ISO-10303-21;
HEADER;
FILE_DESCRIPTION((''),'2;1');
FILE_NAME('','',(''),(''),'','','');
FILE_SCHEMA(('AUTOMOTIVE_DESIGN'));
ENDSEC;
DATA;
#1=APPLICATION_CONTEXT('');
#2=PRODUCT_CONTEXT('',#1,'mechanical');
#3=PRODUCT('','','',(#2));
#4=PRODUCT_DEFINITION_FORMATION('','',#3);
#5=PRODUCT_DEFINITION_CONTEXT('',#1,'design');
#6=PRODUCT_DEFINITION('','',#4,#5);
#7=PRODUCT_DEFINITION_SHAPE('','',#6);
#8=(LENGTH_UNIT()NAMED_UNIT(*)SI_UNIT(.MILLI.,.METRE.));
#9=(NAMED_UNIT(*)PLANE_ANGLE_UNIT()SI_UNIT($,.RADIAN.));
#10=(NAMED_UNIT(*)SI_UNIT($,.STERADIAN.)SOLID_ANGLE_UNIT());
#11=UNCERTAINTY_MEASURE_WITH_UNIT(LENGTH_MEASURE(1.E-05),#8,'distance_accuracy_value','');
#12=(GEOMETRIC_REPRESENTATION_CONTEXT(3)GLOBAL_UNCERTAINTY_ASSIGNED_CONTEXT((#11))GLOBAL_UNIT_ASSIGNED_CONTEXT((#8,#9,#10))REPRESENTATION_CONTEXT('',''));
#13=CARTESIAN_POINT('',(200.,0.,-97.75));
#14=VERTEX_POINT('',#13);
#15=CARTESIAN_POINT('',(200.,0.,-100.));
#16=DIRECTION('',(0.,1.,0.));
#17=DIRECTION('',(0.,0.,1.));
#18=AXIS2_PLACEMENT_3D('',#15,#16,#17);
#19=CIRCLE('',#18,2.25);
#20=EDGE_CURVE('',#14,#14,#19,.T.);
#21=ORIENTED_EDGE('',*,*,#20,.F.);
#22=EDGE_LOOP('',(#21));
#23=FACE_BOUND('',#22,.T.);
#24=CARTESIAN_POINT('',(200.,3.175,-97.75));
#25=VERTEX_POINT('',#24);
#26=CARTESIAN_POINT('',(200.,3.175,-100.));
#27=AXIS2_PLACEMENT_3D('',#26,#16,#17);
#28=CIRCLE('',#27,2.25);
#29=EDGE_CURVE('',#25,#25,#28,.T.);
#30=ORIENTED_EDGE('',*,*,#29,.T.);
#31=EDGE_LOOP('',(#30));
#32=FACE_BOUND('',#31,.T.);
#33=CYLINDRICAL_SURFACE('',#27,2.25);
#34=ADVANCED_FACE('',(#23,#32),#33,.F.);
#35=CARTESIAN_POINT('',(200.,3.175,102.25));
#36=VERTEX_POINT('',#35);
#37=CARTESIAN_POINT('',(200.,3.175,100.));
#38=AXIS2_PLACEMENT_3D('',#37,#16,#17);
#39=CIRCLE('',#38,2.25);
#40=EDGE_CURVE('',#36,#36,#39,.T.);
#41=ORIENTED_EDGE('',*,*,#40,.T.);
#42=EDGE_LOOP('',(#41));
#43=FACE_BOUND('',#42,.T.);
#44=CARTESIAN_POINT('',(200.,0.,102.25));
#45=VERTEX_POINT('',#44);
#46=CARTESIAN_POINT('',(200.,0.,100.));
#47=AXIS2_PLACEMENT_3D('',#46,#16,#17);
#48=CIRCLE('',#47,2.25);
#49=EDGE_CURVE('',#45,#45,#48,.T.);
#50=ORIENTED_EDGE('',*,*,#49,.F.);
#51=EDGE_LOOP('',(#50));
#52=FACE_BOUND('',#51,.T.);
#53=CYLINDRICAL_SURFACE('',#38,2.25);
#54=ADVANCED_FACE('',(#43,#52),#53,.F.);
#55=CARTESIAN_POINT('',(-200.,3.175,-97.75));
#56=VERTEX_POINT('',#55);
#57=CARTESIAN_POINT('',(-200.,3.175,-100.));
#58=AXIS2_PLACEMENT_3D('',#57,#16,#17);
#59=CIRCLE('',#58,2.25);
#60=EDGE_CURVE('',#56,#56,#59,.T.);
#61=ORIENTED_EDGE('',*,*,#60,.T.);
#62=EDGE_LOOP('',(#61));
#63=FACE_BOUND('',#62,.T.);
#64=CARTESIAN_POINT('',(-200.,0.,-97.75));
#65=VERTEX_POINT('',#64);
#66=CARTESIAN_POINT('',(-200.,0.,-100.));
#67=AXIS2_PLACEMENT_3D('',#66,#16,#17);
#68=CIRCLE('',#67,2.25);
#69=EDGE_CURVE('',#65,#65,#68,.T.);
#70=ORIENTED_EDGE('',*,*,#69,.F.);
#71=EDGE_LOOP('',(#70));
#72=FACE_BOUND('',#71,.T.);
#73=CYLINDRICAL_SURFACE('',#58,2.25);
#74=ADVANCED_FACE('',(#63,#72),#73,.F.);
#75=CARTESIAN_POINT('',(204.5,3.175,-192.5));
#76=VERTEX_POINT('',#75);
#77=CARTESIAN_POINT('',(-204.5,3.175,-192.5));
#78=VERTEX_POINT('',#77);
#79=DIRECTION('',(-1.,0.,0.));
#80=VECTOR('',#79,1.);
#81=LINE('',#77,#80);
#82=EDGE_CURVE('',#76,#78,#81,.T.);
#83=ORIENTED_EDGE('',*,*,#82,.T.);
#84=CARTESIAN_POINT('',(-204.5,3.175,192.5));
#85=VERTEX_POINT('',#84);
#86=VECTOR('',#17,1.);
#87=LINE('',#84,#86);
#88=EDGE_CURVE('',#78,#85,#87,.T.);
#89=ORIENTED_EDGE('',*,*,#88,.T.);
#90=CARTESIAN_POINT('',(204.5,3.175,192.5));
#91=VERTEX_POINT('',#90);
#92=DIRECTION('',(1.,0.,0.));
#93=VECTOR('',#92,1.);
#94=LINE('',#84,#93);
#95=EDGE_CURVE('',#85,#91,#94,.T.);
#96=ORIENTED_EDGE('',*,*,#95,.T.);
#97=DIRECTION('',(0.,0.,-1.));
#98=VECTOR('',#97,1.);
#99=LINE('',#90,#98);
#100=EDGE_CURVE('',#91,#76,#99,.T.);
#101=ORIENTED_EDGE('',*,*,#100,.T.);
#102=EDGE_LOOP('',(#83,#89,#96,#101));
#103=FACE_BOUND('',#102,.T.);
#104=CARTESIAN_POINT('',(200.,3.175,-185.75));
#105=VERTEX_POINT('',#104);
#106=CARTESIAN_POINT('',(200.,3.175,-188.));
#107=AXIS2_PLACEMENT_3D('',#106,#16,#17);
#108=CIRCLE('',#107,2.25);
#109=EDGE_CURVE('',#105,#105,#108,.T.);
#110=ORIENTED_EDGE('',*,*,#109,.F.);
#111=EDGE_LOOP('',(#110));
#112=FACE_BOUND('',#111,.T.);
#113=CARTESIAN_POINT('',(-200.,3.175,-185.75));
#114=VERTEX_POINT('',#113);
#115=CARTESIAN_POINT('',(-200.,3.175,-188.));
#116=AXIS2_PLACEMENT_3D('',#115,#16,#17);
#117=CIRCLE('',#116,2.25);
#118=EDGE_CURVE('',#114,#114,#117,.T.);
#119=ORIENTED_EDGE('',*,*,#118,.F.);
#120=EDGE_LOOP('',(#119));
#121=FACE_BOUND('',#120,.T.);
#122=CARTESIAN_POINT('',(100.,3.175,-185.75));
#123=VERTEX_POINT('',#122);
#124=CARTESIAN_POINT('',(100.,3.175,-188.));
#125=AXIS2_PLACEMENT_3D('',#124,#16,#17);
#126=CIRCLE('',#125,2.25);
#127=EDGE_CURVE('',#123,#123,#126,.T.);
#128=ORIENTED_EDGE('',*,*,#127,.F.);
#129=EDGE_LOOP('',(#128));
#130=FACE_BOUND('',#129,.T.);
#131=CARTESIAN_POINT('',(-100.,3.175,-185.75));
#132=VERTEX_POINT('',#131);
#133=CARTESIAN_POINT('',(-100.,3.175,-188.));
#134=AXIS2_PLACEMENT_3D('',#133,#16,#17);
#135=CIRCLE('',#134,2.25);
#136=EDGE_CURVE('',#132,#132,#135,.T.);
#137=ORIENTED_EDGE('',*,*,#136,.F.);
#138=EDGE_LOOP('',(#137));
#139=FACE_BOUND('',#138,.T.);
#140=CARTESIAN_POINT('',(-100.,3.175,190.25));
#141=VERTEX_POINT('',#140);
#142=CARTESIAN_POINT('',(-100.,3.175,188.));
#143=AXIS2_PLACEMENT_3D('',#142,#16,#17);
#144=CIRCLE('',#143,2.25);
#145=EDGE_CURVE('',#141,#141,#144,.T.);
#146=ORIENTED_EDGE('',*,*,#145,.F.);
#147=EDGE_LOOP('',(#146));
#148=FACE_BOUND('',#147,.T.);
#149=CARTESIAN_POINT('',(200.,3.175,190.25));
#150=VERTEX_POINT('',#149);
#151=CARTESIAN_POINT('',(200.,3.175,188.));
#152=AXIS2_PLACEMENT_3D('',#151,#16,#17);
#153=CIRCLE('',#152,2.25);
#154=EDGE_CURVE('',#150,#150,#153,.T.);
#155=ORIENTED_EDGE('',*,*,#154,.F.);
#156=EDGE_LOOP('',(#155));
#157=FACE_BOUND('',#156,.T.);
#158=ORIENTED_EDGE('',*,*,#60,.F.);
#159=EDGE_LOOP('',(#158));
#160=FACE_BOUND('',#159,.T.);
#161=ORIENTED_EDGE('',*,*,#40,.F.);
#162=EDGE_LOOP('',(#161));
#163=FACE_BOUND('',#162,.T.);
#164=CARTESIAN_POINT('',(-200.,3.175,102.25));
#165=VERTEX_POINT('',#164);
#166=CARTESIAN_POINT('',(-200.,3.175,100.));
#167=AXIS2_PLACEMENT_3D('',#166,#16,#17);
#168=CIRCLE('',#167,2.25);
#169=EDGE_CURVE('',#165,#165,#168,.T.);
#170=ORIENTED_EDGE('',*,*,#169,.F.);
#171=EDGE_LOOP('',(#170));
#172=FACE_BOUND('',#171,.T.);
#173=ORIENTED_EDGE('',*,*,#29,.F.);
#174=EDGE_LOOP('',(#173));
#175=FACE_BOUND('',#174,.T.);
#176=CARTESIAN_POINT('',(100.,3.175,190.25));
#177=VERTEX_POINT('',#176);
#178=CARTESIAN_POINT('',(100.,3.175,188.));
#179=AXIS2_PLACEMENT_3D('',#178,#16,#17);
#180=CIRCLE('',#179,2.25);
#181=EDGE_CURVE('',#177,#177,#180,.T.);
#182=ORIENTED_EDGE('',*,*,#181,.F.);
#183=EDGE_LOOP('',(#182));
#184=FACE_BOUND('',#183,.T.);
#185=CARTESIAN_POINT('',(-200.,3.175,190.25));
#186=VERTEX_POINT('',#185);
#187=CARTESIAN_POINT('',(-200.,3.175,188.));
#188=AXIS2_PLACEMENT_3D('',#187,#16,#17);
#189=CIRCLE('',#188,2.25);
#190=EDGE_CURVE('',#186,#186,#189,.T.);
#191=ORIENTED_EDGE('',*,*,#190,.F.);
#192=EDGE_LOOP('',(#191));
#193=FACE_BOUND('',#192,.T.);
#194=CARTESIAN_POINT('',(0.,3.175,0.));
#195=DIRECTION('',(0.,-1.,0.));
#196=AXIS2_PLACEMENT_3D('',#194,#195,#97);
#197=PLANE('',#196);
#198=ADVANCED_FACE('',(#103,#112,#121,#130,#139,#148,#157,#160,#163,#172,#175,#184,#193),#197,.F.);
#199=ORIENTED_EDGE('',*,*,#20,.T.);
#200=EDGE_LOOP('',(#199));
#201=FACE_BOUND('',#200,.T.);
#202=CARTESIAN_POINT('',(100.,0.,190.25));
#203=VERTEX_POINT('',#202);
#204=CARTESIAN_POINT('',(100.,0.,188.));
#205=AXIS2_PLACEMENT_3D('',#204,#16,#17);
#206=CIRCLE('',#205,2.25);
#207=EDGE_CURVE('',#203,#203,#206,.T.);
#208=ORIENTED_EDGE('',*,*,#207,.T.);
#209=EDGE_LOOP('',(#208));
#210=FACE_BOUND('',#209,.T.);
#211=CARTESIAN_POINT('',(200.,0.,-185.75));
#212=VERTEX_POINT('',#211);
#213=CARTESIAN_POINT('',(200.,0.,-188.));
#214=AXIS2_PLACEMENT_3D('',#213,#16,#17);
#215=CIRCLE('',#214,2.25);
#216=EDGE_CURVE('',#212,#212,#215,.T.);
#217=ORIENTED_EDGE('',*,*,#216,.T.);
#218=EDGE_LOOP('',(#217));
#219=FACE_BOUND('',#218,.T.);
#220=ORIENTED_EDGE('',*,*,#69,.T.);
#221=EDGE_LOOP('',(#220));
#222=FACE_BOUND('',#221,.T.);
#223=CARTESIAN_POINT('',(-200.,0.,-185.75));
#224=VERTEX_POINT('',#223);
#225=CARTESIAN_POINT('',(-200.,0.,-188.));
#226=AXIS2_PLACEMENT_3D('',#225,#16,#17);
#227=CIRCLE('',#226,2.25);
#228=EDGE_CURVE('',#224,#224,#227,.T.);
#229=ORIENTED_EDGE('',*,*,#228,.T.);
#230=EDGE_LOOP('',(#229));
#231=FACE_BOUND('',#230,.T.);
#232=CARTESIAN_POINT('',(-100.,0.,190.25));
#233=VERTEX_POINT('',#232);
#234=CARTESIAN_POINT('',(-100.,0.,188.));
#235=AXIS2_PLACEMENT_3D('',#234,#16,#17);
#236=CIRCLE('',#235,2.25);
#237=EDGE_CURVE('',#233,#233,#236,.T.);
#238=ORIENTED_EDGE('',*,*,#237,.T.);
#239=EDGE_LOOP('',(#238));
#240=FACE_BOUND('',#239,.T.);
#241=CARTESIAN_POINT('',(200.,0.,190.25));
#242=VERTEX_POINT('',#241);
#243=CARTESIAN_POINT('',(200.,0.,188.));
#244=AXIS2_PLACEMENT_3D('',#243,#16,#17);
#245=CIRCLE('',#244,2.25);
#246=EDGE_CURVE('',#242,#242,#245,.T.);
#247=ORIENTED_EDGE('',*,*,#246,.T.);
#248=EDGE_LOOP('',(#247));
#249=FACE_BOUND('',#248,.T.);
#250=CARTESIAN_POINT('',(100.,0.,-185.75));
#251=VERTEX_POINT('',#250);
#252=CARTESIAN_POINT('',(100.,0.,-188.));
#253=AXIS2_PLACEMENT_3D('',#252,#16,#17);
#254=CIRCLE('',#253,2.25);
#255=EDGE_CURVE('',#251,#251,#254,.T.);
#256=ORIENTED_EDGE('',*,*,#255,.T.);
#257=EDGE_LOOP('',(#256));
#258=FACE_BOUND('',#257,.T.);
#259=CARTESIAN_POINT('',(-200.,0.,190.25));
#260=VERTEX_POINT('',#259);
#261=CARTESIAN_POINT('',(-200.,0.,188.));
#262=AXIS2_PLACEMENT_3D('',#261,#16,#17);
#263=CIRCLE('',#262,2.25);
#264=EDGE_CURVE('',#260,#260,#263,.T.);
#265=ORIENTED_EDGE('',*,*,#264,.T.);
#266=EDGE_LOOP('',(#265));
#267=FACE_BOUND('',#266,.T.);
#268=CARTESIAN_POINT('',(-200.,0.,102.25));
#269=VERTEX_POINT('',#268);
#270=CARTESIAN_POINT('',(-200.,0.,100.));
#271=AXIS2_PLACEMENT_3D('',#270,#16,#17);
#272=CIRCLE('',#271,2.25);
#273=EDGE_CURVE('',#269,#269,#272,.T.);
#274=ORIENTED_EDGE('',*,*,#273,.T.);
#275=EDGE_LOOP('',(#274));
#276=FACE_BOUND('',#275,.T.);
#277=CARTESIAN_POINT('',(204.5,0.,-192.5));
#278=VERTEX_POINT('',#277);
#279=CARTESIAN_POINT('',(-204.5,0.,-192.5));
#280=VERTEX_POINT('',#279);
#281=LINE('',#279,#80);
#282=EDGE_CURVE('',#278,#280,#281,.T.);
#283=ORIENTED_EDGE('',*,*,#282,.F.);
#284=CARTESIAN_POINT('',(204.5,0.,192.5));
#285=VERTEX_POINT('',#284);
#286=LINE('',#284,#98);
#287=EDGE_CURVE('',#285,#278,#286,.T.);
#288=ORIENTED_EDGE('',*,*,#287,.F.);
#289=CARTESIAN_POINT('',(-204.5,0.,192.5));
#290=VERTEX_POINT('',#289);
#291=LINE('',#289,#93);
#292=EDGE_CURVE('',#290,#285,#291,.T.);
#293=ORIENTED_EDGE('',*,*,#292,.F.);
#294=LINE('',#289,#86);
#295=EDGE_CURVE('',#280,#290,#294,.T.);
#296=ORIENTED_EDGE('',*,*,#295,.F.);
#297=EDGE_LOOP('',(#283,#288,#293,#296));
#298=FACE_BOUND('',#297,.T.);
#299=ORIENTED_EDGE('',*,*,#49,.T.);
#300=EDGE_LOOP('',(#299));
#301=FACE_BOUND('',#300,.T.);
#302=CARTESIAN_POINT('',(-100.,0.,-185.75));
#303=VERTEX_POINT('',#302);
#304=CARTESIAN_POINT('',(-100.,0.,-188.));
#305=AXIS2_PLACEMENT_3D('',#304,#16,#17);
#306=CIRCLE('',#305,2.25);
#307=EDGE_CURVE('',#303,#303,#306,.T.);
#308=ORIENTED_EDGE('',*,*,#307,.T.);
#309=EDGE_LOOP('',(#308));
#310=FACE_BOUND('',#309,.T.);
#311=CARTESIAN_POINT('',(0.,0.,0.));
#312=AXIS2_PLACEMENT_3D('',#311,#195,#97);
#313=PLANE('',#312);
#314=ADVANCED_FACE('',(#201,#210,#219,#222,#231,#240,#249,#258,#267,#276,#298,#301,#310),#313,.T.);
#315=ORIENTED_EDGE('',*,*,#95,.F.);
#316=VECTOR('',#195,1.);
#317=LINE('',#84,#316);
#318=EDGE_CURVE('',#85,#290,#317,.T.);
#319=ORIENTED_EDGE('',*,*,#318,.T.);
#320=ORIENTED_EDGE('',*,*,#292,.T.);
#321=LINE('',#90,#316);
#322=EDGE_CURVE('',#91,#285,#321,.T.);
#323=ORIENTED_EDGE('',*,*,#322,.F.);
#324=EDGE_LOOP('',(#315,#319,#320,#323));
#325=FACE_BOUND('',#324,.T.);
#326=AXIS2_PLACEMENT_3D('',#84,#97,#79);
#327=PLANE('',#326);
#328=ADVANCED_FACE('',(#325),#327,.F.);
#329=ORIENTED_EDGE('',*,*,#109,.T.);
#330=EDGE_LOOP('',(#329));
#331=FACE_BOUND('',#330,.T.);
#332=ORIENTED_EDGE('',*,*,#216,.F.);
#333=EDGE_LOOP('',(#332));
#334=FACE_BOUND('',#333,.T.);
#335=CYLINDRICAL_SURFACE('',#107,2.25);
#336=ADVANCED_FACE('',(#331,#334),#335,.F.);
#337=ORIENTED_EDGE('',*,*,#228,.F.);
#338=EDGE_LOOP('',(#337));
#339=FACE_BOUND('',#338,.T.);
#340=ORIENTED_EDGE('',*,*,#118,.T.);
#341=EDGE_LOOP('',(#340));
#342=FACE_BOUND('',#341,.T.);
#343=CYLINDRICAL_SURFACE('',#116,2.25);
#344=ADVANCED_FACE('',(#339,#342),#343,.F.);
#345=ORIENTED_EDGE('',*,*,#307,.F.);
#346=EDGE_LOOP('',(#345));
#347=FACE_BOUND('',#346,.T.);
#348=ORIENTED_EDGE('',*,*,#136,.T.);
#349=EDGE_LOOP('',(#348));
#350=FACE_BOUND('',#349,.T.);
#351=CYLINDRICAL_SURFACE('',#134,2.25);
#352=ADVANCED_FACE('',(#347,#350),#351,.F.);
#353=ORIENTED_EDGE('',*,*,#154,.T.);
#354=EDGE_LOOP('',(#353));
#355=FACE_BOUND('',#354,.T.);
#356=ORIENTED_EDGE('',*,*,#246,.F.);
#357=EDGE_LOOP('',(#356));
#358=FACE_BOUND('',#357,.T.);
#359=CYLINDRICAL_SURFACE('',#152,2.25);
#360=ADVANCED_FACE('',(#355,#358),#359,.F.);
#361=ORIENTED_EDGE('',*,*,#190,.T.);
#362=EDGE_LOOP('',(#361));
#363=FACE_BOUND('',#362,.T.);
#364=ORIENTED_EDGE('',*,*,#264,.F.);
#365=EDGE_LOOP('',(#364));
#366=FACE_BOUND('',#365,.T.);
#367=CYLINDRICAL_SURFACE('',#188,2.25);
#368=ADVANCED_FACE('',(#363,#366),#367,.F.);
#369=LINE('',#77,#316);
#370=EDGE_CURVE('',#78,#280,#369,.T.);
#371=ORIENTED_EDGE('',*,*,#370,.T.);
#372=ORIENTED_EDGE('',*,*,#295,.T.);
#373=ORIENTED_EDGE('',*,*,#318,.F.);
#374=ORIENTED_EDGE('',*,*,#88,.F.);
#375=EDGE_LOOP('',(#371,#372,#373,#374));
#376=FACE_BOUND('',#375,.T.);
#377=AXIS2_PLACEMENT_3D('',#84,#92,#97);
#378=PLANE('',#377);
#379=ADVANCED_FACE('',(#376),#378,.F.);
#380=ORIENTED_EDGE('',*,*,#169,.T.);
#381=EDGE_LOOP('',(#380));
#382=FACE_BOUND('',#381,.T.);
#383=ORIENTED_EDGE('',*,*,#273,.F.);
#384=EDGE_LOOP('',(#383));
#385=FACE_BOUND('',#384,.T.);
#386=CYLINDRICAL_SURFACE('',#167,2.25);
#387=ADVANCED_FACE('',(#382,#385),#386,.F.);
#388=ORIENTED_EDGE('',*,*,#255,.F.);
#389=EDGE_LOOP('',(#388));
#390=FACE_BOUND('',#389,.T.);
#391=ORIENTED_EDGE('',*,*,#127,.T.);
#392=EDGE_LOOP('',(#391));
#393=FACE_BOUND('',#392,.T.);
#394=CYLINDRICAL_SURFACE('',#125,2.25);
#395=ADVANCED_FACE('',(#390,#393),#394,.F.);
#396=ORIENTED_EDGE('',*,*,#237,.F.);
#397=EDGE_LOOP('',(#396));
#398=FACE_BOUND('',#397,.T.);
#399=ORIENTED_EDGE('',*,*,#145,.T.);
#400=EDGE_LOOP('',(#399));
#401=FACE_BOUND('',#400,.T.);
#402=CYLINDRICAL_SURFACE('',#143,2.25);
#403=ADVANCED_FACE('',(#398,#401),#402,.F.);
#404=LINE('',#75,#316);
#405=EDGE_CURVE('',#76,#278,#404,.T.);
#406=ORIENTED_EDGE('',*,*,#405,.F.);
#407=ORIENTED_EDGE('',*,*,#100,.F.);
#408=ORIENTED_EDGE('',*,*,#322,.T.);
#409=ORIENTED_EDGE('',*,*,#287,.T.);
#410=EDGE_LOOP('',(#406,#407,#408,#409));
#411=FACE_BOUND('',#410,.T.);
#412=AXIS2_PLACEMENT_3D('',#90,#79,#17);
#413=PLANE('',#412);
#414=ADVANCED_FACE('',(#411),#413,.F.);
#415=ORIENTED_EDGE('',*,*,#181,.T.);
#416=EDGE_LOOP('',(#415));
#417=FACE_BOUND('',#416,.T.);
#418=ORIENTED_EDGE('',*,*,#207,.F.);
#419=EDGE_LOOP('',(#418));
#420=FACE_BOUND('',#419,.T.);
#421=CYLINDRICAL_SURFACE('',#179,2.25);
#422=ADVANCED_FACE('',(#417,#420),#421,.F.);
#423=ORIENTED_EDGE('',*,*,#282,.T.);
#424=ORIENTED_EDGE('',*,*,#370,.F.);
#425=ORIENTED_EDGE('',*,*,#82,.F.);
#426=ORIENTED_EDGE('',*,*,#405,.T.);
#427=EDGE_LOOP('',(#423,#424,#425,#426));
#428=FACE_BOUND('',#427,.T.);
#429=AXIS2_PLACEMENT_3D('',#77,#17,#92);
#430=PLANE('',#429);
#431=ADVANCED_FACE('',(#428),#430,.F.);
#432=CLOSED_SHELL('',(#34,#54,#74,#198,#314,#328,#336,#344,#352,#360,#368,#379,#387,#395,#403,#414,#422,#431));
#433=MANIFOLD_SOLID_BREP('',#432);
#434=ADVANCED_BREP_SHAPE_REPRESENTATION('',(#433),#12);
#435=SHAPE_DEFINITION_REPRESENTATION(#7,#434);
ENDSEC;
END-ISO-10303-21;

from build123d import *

# Parameters (mm, degrees)
SKETCH1_W            = 409
SKETCH1_H            = 385
BOSS_EXTRUDE1_DEPTH  = 3.175
M4_CLEARANCE_HOLE1_D = 4.5


with BuildPart() as part:
    # Sketch1 → Boss-Extrude1 (new body)
    with BuildSketch(Plane(origin=(0, 0, 0), x_dir=(1, 0, 0), z_dir=(0, 1, 0))):
        Rectangle(SKETCH1_W, SKETCH1_H)
    extrude(amount=BOSS_EXTRUDE1_DEPTH)

    # M4 Clearance Hole1 (through all)
    with Locations(Plane(origin=(0, 3.175, 0), x_dir=(1, 0, 0), z_dir=(0, 1, 0))):
        with Locations((-200, 188), (-200, 100), (-200, -100), (200, -100), (200, 100), (200, 188), (-100, 188), (100, 188), (100, -188), (-100, -188), (200, -188), (-200, -188)):
            Hole(M4_CLEARANCE_HOLE1_D / 2)


solid = part.part
